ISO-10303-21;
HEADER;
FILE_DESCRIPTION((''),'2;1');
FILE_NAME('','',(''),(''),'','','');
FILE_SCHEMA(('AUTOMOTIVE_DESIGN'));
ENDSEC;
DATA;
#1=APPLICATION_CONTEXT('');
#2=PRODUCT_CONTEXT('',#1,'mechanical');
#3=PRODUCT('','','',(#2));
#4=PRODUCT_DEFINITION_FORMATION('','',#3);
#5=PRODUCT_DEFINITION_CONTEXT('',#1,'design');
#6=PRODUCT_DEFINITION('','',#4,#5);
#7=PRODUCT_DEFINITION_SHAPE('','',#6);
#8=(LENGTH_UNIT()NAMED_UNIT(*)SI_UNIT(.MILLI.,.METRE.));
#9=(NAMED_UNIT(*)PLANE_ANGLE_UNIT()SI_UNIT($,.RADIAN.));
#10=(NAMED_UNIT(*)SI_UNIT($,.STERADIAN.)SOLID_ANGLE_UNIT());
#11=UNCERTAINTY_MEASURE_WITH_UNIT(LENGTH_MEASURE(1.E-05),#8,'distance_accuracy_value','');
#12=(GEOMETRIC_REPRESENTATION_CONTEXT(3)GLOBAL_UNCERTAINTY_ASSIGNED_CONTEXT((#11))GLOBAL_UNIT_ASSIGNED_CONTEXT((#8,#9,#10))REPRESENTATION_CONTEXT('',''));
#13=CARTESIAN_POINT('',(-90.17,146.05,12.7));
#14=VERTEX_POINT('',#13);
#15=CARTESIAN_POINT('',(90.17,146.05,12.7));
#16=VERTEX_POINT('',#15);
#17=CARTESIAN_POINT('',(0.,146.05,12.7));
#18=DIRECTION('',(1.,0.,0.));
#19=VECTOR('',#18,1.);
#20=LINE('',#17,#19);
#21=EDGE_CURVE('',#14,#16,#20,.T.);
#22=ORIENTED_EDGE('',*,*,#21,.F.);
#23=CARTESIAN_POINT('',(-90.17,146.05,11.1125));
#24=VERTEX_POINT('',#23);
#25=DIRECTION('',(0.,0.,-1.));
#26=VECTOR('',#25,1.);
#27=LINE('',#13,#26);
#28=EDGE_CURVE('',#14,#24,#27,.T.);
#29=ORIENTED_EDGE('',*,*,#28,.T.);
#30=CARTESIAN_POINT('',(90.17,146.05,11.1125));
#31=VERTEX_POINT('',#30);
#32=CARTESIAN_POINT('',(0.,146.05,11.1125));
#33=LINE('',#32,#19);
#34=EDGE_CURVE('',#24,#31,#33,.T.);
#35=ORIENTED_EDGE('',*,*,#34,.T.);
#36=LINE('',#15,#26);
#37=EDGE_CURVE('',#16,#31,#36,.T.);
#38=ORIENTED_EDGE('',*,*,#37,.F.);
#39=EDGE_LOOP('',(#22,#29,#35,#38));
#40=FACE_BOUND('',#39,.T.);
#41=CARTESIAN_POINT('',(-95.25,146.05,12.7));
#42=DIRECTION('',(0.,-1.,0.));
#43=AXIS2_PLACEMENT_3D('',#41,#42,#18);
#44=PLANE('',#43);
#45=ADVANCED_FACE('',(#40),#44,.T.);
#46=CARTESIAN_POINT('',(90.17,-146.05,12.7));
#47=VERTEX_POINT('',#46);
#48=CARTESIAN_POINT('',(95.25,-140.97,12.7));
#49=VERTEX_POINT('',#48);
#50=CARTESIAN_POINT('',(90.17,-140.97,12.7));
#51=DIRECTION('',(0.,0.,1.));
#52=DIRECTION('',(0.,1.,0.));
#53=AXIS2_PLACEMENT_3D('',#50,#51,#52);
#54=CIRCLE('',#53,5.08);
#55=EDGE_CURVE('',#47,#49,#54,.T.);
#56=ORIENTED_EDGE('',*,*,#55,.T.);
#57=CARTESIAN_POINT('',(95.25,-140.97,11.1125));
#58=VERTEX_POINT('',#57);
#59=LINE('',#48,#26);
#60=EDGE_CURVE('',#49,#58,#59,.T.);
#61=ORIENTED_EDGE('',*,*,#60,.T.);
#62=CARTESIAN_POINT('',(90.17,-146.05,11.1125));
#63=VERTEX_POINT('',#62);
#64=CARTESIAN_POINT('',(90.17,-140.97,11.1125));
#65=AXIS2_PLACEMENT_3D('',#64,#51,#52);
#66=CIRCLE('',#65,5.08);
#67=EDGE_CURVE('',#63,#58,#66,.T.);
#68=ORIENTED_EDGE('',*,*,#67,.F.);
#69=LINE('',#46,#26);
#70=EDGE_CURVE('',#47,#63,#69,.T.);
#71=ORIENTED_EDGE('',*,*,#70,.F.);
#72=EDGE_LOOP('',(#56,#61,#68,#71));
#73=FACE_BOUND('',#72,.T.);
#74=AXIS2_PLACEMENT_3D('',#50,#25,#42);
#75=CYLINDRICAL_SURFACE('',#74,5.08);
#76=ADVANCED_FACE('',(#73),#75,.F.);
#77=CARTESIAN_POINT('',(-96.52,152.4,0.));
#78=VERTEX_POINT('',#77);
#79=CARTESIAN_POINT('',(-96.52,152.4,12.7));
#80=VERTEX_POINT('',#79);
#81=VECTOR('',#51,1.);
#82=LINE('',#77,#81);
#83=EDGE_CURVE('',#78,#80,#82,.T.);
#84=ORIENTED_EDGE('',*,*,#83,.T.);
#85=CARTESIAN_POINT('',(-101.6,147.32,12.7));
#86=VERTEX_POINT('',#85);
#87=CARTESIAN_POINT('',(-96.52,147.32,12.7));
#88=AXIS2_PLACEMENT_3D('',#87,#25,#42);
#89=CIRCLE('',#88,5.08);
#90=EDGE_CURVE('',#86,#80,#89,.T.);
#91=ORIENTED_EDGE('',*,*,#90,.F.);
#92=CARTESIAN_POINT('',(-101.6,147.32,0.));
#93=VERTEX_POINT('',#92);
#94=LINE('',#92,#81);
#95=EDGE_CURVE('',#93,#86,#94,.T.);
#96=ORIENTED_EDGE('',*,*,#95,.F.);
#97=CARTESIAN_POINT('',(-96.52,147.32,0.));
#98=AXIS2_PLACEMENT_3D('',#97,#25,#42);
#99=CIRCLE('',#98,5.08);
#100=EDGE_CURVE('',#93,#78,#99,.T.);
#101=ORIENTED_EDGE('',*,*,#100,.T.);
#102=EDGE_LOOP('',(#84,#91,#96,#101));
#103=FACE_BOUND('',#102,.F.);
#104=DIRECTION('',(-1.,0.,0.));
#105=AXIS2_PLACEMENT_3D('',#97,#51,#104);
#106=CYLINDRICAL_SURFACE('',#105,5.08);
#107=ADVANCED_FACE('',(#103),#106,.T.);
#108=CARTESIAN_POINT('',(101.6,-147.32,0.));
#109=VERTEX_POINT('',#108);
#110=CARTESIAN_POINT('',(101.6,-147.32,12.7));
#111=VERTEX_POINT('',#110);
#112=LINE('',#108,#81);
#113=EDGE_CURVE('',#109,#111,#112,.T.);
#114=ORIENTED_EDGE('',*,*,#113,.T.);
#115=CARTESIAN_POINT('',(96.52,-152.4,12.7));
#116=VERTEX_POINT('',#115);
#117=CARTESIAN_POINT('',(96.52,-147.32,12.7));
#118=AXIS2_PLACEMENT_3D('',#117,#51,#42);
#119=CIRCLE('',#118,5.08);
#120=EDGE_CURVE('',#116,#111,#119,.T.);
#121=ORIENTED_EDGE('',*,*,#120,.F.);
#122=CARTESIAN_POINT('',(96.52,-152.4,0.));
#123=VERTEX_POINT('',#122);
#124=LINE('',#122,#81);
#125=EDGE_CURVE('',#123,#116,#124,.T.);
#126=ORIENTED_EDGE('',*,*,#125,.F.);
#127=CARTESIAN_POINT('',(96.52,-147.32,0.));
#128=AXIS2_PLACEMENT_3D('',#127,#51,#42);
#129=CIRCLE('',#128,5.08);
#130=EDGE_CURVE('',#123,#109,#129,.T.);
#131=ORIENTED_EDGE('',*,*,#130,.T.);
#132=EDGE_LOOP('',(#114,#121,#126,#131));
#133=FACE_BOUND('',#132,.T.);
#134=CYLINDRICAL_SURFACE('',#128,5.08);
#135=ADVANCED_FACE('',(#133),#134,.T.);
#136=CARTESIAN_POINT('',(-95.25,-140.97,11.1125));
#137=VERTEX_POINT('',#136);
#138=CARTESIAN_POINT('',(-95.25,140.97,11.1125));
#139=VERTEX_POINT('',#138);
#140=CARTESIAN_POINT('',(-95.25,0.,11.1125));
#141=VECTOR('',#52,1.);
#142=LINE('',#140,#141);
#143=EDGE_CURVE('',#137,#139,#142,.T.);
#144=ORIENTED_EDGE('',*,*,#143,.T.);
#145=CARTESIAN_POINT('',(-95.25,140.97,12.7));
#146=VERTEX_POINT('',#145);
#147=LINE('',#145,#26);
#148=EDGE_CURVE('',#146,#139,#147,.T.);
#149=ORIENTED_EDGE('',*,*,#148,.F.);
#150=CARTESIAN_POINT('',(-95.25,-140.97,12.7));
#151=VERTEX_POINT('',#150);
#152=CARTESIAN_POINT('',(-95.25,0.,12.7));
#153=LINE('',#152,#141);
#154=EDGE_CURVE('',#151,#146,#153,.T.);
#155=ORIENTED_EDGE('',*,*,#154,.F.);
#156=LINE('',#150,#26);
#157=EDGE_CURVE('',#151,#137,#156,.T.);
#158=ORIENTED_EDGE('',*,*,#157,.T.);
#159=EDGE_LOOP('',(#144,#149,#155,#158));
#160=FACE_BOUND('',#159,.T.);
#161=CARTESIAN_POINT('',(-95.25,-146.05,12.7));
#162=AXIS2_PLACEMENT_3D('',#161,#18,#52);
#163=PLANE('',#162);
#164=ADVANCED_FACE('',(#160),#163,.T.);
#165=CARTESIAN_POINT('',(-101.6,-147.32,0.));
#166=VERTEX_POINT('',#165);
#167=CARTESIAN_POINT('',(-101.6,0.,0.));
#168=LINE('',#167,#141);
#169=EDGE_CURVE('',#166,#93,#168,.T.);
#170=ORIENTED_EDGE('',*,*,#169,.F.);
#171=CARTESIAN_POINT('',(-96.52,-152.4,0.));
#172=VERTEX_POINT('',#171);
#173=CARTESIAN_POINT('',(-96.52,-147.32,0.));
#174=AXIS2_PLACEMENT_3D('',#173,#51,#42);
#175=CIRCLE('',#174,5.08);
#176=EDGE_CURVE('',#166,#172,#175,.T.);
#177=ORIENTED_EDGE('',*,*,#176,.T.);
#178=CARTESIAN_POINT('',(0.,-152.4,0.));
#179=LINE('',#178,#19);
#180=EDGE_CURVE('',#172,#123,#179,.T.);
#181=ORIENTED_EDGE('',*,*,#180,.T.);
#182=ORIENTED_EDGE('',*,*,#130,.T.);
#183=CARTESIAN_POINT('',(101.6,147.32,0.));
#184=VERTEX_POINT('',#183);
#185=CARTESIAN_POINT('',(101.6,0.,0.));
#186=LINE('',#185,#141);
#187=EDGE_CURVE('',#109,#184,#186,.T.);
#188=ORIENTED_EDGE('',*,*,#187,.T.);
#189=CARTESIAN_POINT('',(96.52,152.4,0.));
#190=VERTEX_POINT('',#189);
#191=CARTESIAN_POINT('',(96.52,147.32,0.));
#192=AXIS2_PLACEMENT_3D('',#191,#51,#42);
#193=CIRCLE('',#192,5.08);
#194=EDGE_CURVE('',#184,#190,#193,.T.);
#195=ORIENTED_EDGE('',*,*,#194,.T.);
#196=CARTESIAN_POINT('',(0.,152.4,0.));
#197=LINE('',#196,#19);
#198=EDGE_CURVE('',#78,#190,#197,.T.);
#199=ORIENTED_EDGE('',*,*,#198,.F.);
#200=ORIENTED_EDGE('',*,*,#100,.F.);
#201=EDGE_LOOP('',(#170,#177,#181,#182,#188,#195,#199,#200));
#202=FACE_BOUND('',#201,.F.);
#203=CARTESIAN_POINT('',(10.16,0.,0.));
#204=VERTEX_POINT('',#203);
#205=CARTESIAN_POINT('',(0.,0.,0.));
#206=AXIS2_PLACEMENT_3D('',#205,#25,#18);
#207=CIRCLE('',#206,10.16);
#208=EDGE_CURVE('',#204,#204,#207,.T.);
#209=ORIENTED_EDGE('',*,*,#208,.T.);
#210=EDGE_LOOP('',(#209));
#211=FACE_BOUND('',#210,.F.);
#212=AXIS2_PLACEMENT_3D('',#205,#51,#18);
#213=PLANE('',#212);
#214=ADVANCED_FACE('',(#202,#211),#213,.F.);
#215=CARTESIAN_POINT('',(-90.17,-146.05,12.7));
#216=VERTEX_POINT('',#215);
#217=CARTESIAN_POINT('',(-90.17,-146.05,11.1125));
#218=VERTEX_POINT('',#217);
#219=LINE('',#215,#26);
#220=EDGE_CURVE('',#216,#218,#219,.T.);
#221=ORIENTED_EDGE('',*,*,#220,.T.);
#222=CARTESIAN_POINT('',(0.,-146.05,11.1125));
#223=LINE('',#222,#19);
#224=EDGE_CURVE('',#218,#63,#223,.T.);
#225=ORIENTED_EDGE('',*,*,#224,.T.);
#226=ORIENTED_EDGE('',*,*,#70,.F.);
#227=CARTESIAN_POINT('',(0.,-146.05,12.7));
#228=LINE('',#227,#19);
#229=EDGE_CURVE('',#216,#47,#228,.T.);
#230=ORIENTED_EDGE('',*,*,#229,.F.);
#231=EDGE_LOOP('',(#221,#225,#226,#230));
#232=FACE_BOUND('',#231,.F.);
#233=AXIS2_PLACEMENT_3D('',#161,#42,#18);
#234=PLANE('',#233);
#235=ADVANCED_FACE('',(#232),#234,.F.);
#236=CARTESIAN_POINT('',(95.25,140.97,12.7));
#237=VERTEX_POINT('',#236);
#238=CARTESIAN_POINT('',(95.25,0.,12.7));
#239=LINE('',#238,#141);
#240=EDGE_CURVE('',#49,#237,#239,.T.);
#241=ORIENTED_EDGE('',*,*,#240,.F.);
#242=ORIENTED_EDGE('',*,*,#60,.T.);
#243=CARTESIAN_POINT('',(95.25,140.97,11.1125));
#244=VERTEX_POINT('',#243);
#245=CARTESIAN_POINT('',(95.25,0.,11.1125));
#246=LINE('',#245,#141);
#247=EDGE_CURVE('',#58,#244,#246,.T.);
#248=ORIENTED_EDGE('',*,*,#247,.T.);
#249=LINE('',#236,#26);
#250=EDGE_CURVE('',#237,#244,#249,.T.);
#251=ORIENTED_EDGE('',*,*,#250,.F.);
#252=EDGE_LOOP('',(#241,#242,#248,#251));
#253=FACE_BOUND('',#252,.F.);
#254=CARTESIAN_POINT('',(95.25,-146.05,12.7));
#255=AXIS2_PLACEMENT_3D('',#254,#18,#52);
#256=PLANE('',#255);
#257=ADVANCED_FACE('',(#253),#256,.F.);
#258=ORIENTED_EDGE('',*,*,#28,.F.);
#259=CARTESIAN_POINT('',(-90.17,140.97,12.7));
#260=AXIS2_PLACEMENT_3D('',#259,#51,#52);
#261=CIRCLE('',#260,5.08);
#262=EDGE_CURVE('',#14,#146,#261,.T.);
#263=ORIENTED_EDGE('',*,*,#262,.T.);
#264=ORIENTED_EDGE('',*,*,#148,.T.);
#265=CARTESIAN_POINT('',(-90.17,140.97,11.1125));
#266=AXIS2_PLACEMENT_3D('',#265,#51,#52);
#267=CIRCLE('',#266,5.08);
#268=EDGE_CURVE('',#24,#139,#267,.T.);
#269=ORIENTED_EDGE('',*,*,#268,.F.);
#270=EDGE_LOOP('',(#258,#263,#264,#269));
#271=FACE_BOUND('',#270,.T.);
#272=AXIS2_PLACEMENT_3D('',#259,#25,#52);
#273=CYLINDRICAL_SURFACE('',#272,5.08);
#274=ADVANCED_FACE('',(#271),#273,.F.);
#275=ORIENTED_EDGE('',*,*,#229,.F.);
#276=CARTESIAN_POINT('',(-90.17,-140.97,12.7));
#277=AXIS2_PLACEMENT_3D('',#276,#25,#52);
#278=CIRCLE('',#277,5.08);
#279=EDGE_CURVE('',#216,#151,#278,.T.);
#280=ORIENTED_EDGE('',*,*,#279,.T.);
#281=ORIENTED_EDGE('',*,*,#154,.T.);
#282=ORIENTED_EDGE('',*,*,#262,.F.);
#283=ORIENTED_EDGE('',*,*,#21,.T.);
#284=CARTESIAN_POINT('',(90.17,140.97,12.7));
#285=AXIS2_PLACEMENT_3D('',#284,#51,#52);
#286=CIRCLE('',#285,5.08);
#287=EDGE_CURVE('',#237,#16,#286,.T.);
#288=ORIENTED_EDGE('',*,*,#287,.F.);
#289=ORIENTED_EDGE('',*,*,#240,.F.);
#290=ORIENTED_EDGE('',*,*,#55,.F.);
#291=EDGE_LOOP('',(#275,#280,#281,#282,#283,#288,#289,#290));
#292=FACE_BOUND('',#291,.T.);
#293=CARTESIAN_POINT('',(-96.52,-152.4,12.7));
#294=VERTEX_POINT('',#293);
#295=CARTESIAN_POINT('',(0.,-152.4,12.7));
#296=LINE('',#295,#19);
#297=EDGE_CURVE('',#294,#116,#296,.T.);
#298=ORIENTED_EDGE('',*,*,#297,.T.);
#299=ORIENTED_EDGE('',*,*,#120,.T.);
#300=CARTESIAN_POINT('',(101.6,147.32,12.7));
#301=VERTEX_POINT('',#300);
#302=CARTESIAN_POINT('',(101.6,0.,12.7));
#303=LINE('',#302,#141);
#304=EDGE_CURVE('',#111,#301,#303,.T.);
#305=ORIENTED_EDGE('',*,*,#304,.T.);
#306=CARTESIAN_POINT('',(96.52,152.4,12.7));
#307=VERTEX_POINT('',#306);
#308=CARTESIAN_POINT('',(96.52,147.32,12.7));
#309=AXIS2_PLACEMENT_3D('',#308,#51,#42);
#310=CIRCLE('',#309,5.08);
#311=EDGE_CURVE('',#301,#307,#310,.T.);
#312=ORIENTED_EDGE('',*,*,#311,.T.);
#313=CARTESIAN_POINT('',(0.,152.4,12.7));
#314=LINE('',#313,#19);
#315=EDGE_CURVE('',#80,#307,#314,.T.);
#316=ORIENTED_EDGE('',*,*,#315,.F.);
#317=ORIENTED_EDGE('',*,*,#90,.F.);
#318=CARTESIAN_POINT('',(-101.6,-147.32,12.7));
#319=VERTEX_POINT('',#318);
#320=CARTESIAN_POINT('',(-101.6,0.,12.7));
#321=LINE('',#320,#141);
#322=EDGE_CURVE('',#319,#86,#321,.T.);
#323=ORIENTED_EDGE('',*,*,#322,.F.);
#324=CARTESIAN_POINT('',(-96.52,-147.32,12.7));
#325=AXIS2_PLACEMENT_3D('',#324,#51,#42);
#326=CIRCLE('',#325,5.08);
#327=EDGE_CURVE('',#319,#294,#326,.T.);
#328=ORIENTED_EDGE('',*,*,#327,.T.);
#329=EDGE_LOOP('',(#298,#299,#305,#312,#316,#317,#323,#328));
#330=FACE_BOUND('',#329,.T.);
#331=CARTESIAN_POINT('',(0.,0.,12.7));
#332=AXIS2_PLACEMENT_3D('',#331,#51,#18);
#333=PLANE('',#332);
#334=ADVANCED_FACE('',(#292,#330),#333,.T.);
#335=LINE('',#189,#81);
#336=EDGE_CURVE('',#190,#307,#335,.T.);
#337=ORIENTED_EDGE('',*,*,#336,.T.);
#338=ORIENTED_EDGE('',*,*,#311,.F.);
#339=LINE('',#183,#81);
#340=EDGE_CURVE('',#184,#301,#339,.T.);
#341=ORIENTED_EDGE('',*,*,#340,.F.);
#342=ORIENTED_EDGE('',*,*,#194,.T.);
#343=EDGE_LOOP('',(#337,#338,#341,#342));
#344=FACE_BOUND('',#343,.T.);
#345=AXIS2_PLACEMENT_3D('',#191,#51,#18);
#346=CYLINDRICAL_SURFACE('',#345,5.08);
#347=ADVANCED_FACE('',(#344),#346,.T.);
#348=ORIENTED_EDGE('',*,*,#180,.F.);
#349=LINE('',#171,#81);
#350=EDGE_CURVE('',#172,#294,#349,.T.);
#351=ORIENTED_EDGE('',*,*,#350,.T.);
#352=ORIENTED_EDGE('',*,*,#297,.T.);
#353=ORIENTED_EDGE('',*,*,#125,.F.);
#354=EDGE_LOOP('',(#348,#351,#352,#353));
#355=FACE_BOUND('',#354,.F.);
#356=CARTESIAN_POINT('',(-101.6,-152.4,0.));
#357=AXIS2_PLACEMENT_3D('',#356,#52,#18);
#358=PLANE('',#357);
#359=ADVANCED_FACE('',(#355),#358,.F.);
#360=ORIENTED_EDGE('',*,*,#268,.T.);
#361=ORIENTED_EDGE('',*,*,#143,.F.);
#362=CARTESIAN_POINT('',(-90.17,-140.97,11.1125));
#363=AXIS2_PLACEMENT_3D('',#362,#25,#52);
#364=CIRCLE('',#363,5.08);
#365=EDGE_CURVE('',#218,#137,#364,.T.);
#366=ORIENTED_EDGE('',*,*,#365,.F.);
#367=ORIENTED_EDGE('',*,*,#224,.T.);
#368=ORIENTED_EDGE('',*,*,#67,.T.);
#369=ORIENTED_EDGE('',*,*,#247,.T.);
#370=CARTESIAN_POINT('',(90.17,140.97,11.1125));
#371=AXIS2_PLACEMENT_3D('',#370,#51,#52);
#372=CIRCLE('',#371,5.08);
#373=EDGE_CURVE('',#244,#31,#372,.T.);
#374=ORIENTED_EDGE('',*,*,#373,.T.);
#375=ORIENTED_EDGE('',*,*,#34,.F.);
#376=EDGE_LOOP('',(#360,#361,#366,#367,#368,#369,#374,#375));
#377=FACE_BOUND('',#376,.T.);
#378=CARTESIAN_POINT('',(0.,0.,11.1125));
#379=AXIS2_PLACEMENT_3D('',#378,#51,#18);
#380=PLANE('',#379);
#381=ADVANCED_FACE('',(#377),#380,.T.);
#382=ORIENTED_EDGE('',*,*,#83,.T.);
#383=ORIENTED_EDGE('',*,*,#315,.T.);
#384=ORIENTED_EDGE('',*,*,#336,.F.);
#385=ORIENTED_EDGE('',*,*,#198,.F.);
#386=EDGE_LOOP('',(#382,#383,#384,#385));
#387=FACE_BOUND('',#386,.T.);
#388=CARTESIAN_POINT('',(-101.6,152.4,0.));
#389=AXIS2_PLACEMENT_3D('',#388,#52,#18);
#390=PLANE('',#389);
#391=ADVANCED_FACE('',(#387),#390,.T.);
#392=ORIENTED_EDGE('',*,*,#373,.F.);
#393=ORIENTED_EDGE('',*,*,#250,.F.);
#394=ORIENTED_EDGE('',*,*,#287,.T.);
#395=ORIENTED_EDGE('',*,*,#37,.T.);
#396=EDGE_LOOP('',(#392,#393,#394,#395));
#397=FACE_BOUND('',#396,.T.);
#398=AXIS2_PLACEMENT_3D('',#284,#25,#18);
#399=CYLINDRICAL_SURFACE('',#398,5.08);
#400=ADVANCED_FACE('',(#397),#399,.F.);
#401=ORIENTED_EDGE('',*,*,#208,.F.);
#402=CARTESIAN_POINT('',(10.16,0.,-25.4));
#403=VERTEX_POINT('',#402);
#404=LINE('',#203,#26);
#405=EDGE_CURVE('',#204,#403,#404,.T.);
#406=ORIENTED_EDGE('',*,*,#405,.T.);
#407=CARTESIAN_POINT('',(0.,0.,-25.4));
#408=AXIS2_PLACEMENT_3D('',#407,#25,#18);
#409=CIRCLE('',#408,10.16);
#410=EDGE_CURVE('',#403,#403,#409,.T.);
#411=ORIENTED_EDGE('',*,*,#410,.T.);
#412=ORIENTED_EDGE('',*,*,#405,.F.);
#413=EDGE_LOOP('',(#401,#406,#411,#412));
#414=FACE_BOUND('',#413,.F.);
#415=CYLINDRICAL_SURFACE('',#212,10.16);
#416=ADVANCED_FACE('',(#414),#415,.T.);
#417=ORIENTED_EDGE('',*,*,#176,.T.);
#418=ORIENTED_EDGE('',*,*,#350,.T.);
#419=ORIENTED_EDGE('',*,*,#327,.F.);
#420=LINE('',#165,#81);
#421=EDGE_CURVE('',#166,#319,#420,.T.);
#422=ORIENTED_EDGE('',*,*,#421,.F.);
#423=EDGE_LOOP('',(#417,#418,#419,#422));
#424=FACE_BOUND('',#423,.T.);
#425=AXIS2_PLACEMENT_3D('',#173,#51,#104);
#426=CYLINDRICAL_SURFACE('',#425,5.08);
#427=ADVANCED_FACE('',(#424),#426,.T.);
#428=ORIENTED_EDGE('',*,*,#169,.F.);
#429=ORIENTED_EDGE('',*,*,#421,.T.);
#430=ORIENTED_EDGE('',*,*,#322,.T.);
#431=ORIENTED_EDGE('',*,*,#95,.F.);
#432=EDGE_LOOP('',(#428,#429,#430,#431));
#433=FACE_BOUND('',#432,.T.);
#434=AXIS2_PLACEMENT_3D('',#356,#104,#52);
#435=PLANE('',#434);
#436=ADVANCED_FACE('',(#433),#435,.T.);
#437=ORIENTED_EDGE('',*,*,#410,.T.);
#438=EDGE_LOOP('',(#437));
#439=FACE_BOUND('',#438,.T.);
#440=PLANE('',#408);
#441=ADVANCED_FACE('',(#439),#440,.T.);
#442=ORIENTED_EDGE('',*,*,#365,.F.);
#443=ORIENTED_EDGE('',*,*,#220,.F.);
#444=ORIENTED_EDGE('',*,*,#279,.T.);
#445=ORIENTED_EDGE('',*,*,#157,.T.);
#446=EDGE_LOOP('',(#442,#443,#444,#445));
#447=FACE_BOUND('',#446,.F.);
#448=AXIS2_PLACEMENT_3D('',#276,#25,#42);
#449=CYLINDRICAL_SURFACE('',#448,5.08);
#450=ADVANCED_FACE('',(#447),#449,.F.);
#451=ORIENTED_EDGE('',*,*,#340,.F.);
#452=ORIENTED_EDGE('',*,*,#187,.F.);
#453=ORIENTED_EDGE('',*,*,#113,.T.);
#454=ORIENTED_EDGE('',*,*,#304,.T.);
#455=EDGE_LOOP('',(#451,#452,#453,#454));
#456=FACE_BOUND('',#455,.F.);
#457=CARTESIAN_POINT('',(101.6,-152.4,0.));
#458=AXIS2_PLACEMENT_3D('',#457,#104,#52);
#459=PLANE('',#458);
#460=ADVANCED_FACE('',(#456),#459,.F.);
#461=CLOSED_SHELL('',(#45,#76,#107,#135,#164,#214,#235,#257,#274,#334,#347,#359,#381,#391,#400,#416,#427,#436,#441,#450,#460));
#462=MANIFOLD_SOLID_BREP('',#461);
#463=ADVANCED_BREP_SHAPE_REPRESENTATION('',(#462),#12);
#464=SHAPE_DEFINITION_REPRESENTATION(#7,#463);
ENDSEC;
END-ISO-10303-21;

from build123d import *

# Parameters (mm, degrees)
F0_W     = 203.2
F0_H     = 304.8
F1_DEPTH = 12.7
F2_R     = 5.08
F3_W     = 190.5
F3_H     = 292.1
F4_DEPTH = 1.5875
F5_R     = 5.08
F6_R     = 10.16
F7_DEPTH = 25.4


with BuildPart() as f1:
    # F0 (on Top) → F1 (new body)
    with BuildSketch(Plane.XY):
        Rectangle(F0_W, F0_H)
    extrude(amount=F1_DEPTH)

    # F2
    f2_edges = [f1.edges().sort_by_distance(p)[0] for p in [
        (-101.6, 152.4, 6.35),
        (-101.6, -152.4, 6.35),
        (101.6, -152.4, 6.35),
        (101.6, 152.4, 6.35),
    ]]
    fillet(f2_edges, radius=F2_R)

    # F3 (on face) → F4 (cut)
    with BuildSketch(Plane.XY.offset(12.7)):
        Rectangle(F3_W, F3_H)
    extrude(amount=-F4_DEPTH, mode=Mode.SUBTRACT)

    # F5
    f5_edges = [f1.edges().sort_by_distance(p)[0] for p in [
        (95.25, -146.05, 11.90625),
        (-95.25, -146.05, 11.90625),
        (95.25, 146.05, 11.90625),
        (-95.25, 146.05, 11.90625),
    ]]
    fillet(f5_edges, radius=F5_R)

    # F6 (on face) → F7 (join)
    with BuildSketch(Plane(origin=(0, 0, 0), x_dir=(1, 0, 0), z_dir=(0, 0, -1))):
        Circle(F6_R)
    extrude(amount=F7_DEPTH)


solid = f1.part
